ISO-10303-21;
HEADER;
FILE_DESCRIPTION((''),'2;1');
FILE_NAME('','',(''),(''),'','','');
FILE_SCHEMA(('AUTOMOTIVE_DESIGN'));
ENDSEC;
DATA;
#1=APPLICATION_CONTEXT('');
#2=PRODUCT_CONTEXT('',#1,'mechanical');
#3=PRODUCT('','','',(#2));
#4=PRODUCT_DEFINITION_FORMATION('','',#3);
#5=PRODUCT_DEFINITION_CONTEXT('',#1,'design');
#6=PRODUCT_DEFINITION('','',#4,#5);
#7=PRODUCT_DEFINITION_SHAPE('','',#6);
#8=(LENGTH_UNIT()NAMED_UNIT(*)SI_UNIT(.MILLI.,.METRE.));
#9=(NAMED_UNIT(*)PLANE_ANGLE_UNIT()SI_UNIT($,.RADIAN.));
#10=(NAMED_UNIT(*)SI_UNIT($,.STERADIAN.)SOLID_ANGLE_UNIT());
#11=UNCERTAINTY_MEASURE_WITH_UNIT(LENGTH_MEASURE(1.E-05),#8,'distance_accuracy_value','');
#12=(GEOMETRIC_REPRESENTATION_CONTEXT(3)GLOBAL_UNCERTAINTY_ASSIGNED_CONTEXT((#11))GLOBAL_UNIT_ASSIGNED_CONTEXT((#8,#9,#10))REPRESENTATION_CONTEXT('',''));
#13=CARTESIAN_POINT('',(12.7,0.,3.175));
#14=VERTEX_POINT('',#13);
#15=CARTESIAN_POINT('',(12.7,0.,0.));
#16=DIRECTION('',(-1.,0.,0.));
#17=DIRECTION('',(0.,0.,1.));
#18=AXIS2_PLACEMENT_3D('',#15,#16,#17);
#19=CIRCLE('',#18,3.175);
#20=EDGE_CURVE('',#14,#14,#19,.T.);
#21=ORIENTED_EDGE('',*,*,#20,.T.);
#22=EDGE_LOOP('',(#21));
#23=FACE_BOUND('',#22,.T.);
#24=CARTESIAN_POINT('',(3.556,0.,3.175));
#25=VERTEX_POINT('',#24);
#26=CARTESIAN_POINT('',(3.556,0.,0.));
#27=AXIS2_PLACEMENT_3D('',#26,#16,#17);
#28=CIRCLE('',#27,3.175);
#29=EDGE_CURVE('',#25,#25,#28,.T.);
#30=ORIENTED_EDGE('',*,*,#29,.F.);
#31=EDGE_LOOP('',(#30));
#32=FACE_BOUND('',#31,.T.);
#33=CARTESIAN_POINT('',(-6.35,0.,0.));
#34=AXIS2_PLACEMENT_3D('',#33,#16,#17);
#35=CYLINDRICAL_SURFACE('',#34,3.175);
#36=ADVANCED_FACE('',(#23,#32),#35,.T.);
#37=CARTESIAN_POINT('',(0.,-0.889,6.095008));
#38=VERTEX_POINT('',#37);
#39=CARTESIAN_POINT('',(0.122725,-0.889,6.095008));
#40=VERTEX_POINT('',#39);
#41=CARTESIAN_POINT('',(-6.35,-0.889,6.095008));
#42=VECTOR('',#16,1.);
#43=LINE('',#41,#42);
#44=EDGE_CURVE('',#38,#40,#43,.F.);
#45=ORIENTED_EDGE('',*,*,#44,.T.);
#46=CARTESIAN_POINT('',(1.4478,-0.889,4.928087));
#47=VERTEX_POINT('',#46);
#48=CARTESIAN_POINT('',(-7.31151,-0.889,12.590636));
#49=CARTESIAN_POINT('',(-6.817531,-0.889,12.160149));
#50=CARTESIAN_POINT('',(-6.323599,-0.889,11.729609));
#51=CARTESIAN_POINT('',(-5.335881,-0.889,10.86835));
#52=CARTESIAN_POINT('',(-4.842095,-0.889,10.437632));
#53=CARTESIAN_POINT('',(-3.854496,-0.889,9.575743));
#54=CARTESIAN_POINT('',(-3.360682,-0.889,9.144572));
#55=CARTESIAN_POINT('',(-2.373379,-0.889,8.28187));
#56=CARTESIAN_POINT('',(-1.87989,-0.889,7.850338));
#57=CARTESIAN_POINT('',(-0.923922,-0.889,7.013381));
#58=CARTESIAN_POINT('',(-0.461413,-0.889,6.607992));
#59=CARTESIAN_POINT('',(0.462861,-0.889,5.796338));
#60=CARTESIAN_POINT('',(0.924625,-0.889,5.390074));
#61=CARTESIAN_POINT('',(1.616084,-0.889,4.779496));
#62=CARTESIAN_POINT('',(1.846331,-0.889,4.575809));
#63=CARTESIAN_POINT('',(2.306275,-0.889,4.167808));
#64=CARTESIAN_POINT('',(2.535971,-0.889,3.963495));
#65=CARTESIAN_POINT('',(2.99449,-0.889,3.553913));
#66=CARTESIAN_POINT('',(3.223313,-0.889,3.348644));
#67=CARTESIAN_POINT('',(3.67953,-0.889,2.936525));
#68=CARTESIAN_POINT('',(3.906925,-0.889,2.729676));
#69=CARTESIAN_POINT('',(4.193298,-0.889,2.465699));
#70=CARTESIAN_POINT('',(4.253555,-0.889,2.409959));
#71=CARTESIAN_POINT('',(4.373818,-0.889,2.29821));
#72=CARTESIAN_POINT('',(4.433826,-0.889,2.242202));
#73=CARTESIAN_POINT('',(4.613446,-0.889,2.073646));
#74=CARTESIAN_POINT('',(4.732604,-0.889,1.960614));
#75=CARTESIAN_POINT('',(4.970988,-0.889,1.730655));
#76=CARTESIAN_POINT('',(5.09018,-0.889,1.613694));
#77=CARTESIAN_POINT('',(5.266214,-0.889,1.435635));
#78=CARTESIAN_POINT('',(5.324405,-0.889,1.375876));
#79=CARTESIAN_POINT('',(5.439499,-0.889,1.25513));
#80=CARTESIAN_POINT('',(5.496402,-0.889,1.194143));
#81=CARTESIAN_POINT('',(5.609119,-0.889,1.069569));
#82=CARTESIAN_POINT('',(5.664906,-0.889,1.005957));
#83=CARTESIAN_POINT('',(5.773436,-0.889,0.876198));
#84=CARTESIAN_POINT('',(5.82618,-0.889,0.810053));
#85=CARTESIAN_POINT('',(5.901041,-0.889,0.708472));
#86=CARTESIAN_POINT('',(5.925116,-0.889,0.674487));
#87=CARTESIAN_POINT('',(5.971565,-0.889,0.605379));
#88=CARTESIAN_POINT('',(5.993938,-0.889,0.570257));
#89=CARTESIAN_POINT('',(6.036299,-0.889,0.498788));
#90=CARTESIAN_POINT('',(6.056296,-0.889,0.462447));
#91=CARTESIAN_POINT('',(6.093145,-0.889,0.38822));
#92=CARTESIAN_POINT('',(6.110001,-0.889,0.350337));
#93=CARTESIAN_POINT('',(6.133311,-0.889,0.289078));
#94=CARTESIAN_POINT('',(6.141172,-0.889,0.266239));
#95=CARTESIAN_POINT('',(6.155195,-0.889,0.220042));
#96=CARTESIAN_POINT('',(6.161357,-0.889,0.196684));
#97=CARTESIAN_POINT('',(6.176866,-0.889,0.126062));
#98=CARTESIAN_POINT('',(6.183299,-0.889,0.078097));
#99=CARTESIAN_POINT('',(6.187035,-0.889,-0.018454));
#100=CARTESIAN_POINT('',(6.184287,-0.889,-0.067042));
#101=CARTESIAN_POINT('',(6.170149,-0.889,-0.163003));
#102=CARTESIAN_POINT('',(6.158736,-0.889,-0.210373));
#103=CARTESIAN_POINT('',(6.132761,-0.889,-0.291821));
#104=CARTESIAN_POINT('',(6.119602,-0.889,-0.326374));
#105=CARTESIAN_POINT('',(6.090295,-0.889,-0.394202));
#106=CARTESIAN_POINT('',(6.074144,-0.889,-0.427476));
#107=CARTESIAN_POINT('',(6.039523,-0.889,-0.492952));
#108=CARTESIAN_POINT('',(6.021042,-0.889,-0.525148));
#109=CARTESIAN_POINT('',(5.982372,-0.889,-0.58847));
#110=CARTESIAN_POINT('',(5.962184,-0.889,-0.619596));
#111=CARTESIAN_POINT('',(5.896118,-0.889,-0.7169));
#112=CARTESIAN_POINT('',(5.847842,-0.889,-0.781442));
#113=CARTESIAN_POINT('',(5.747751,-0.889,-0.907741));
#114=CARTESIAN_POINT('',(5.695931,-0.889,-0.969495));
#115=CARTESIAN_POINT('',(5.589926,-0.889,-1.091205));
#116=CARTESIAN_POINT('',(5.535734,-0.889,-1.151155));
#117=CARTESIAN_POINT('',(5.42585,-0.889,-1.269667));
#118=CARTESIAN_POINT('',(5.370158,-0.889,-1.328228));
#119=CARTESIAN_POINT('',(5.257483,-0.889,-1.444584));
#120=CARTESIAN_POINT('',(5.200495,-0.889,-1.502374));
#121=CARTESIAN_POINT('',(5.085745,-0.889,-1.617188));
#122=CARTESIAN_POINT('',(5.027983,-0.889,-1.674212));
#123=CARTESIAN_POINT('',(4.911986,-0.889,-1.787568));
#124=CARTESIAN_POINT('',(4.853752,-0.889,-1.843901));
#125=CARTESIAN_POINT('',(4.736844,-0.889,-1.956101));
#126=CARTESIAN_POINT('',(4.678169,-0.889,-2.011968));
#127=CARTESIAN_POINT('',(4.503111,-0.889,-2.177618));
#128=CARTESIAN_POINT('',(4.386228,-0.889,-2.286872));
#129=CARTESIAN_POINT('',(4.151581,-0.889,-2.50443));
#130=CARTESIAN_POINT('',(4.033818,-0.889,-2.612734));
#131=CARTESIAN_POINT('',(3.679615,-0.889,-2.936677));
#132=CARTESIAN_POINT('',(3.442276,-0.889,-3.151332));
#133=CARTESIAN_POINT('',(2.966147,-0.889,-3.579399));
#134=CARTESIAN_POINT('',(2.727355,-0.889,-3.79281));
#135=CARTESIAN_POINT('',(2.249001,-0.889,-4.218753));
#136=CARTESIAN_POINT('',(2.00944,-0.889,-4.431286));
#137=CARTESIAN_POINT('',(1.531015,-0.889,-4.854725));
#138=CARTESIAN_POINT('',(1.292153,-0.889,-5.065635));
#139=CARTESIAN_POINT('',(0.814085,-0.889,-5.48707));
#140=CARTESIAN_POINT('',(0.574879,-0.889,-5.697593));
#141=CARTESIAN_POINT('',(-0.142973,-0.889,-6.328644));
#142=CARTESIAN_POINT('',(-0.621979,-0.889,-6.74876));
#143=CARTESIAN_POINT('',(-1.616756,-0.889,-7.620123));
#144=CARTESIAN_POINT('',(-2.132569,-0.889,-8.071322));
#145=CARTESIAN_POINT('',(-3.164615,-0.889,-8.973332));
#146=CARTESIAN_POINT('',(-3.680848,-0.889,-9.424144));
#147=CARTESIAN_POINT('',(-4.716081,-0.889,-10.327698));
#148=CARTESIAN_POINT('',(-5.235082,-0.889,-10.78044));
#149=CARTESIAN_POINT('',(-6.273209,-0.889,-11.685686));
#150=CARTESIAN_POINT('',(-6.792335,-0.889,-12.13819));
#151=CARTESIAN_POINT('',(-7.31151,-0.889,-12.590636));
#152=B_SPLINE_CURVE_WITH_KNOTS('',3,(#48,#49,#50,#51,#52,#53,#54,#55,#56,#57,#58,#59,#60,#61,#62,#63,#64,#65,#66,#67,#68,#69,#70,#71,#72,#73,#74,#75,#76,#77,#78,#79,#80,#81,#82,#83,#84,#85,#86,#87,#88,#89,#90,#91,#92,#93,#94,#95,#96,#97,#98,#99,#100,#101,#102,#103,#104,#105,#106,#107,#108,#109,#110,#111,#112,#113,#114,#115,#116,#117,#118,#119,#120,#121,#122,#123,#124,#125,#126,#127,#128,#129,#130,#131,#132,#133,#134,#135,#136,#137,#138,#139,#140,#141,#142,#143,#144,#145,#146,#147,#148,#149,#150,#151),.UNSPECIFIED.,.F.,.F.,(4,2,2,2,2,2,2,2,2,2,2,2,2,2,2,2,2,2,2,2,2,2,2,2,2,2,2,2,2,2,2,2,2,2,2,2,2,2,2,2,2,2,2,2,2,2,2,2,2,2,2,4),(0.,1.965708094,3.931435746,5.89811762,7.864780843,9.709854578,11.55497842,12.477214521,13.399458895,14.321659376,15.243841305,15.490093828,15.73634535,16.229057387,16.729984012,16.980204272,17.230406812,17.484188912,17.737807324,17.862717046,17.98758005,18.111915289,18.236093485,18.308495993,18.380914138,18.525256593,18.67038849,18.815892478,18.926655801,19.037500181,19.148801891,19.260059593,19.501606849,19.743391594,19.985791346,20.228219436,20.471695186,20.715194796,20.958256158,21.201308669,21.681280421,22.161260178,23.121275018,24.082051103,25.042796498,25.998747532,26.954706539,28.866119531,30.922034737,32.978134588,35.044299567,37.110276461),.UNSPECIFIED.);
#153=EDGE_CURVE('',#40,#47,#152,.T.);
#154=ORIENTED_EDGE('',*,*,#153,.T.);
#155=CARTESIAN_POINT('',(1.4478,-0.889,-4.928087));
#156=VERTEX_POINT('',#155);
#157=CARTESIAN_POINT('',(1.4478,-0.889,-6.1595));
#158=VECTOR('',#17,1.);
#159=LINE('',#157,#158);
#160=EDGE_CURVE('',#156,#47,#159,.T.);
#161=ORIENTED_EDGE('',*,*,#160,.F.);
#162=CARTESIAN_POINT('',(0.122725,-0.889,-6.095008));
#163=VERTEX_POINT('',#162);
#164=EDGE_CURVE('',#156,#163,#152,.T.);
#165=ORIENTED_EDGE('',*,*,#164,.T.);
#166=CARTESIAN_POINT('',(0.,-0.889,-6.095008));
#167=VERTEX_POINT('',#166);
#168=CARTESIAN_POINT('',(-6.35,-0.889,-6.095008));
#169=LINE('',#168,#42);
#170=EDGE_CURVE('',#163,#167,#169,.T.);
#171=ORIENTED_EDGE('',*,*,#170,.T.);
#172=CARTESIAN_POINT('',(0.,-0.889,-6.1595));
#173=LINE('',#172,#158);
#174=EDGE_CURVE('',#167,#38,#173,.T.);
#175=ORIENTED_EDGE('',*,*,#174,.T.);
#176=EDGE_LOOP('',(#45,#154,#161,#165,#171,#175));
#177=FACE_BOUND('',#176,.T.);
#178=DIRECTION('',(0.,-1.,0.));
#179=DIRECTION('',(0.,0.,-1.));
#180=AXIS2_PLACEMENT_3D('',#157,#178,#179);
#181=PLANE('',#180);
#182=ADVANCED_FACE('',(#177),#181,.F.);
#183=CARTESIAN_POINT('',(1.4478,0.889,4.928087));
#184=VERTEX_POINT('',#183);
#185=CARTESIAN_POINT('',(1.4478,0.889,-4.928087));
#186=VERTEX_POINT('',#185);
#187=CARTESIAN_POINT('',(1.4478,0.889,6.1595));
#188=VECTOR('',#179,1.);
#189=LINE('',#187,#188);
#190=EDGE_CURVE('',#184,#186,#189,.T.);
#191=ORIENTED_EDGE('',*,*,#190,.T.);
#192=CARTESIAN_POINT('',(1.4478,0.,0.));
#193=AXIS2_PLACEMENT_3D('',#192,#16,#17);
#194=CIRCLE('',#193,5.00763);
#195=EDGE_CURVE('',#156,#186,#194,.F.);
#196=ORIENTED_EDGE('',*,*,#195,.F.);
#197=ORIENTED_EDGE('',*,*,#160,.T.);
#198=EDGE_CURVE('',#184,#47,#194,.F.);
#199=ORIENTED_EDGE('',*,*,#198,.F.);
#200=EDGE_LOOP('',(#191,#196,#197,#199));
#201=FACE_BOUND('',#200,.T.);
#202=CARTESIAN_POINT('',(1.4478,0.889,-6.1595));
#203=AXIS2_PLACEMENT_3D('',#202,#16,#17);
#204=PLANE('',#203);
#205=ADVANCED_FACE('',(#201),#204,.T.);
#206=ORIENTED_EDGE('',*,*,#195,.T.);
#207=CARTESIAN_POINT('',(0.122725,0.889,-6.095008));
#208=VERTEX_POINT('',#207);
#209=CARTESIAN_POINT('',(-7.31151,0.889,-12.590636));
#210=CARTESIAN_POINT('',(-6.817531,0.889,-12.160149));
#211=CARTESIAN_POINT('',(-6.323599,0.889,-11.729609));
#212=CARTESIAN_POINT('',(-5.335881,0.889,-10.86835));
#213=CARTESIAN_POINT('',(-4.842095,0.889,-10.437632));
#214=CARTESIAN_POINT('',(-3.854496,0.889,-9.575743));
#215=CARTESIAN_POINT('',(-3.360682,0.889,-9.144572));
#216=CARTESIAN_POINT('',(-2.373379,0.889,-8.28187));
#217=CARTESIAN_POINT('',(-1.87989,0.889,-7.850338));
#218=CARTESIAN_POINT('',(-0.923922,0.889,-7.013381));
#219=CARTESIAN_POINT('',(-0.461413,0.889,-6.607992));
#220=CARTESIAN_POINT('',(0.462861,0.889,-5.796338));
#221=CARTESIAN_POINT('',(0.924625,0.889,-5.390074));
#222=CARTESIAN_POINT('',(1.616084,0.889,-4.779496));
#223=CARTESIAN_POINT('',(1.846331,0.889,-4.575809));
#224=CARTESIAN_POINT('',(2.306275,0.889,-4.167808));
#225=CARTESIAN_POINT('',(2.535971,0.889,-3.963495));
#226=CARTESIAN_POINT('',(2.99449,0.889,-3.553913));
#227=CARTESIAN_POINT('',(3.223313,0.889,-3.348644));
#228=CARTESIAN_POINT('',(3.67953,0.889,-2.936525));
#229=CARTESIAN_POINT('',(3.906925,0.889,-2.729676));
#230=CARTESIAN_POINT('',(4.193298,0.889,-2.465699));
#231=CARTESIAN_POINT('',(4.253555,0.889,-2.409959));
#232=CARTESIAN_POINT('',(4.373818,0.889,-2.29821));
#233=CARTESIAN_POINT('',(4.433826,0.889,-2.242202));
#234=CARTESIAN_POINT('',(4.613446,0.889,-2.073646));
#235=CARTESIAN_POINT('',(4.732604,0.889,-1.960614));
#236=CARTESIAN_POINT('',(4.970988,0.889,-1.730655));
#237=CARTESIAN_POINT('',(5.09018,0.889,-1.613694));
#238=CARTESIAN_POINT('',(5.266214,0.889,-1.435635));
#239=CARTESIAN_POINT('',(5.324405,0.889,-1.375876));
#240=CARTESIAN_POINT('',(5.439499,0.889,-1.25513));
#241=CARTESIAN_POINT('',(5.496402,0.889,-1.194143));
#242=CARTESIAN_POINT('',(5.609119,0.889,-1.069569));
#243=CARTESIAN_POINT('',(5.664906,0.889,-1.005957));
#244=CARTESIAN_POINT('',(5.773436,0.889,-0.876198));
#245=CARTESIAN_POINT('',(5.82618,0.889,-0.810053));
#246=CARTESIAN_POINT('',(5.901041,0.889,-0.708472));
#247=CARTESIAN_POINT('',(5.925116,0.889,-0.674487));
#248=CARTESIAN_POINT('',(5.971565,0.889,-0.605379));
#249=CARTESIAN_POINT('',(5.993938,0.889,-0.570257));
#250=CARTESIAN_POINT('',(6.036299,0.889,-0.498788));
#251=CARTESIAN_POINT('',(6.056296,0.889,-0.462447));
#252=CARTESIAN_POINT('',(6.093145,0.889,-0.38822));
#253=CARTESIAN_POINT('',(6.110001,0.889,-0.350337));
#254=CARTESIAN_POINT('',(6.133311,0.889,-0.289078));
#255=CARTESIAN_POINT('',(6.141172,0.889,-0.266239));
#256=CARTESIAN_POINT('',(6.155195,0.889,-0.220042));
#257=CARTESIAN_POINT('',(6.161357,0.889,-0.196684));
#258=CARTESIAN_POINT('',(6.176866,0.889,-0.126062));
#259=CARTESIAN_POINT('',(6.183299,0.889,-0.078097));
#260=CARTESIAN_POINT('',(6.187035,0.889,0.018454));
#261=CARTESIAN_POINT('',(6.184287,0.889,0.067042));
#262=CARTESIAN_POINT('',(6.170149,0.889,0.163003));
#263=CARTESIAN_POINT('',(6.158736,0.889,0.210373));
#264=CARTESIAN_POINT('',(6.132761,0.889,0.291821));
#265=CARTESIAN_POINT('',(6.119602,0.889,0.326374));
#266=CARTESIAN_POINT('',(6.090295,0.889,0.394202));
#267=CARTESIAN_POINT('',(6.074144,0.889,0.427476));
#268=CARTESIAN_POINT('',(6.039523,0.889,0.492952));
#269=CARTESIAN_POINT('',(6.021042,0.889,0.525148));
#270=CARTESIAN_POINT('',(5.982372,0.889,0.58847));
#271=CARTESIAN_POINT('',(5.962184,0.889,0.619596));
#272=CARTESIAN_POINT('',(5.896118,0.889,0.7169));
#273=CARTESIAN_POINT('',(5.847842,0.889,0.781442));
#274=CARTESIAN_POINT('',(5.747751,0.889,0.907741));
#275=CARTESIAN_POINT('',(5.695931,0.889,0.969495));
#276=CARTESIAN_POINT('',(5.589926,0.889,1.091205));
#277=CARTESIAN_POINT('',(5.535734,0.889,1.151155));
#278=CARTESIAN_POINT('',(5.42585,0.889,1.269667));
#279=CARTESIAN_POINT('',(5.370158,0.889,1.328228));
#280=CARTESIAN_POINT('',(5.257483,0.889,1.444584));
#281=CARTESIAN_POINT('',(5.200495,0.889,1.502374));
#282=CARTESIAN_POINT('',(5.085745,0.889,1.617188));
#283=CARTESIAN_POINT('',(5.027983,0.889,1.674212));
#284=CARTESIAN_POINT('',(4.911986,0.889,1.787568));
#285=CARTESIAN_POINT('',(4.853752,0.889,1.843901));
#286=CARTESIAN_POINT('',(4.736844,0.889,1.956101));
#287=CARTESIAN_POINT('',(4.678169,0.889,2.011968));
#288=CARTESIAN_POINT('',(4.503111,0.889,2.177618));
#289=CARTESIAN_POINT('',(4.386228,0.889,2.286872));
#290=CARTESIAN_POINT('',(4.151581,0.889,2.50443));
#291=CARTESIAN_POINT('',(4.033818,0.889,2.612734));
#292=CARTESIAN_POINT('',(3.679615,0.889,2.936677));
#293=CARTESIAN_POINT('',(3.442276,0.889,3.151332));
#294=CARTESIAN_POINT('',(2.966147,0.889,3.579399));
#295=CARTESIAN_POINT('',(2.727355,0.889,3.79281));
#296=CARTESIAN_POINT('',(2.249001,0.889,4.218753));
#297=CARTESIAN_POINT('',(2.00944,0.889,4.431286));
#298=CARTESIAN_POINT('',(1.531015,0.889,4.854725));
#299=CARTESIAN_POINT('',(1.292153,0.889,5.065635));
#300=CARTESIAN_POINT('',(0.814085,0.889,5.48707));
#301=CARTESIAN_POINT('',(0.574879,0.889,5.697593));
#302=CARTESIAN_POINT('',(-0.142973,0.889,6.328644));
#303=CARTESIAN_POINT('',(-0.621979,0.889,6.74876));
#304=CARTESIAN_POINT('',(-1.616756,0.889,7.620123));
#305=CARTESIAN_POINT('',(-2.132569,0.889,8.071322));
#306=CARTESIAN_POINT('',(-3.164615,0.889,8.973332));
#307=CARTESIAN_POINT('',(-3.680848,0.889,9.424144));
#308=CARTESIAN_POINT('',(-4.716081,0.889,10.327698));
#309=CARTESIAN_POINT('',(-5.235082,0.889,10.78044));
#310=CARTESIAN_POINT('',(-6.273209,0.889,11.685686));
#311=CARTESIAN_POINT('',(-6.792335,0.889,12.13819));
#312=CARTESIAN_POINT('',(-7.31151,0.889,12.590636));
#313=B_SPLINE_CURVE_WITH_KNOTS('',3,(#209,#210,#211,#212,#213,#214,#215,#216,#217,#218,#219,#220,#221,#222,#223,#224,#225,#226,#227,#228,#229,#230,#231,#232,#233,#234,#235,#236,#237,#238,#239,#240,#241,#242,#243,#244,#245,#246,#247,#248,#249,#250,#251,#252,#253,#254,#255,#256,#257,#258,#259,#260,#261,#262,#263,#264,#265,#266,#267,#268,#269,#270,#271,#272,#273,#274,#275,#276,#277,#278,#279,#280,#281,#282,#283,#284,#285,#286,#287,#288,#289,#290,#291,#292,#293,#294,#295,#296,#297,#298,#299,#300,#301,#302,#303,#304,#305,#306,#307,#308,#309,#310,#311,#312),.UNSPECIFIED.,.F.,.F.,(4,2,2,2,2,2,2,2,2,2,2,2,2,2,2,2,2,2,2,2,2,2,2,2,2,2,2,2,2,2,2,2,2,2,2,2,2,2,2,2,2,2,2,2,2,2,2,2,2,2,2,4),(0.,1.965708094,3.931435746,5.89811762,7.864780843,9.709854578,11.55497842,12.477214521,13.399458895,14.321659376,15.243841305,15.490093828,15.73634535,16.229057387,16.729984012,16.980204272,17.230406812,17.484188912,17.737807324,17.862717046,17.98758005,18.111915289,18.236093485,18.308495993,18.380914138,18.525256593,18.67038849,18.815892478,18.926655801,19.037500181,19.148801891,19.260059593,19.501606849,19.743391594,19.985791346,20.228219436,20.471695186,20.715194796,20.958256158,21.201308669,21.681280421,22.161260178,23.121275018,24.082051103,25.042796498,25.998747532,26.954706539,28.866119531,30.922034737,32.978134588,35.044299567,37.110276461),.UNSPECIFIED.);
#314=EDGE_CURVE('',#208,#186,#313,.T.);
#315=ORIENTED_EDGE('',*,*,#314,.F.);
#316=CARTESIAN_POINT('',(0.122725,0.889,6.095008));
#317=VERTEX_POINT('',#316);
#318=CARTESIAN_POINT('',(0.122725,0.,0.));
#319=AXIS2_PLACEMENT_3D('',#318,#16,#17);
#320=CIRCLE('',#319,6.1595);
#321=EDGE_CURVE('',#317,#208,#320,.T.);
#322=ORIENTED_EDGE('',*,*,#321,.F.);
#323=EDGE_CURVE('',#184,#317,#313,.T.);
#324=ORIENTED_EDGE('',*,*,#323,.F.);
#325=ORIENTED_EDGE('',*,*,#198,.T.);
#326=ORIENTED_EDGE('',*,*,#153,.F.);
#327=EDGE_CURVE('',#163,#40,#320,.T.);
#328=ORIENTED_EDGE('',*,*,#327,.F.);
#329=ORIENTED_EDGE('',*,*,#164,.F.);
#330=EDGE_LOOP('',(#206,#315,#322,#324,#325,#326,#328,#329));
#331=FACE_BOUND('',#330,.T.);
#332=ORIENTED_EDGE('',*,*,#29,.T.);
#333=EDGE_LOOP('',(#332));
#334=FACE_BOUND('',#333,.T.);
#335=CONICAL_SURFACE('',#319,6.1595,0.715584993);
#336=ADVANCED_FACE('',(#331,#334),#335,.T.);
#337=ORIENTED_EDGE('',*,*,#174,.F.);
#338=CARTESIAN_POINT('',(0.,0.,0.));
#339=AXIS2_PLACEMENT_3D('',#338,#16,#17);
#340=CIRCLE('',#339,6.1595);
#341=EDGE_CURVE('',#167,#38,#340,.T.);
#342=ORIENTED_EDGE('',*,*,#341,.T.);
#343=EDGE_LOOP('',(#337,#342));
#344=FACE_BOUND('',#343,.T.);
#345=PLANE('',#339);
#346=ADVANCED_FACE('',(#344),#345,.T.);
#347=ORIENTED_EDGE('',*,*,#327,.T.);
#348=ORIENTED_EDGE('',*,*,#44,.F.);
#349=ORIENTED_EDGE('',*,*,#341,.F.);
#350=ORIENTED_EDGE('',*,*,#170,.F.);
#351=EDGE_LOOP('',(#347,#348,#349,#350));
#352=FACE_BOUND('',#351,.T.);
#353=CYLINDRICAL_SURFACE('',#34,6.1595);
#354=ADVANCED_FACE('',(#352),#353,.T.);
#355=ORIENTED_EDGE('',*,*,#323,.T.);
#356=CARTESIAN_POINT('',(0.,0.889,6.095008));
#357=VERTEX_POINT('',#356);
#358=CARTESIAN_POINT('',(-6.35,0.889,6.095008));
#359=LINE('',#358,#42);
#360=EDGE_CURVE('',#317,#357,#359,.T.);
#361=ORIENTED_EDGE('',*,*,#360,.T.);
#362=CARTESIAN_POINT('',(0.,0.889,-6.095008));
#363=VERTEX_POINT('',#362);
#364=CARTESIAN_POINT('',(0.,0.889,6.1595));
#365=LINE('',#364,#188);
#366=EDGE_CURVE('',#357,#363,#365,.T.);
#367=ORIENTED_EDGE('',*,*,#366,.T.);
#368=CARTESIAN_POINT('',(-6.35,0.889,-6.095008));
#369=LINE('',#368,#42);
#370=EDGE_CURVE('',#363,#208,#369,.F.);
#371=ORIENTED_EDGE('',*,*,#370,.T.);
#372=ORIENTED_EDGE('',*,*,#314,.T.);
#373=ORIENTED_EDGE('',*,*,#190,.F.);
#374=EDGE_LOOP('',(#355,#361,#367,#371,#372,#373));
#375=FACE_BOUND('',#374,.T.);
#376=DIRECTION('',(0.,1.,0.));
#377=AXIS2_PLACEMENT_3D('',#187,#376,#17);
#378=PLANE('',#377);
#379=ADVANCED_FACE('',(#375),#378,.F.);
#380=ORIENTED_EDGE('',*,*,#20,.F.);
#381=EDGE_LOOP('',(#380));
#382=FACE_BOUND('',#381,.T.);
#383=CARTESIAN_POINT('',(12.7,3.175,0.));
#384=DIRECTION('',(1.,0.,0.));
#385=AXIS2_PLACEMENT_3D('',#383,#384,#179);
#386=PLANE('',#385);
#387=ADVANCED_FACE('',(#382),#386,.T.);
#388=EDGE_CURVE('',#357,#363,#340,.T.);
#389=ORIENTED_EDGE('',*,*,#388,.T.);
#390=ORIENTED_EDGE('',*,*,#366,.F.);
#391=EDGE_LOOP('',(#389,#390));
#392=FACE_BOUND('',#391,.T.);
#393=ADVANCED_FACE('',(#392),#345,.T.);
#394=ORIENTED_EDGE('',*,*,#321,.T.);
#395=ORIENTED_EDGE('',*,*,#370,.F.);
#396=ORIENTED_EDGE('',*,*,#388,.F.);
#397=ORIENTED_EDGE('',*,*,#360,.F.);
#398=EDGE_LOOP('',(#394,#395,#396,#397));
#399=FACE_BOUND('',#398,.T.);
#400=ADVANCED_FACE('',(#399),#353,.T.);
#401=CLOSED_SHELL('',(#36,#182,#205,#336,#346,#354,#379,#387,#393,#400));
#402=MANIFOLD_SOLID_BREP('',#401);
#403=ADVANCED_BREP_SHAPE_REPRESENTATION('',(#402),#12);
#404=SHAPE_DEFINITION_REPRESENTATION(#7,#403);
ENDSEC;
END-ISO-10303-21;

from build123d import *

# Parameters (mm, degrees)
SKETCH6_W  = 12.319
SKETCH6_H  = 1.778
SLOT_DEPTH = 1.4478


with BuildPart() as part:
    # BodySke → Base-Revolve (revolve)
    with BuildSketch(Plane.XY, mode=Mode.PRIVATE) as base_revolve_sk:
        Polygon((0, 0), (0, 6.1595), (0.122725489, 6.1595), (3.556, 3.175), (12.7, 3.175), (12.7, 0), align=None)
    revolve(base_revolve_sk.sketch.rotate(Axis((-6.35, 0, 0), (1, 0, 0)), 90), axis=Axis((-6.35, 0, 0), (1, 0, 0)))

    # Sketch6 → Slot (cut)
    with BuildSketch(Plane.ZY):
        Rectangle(SKETCH6_W, SKETCH6_H)
    extrude(amount=-SLOT_DEPTH, mode=Mode.SUBTRACT)


solid = part.part
